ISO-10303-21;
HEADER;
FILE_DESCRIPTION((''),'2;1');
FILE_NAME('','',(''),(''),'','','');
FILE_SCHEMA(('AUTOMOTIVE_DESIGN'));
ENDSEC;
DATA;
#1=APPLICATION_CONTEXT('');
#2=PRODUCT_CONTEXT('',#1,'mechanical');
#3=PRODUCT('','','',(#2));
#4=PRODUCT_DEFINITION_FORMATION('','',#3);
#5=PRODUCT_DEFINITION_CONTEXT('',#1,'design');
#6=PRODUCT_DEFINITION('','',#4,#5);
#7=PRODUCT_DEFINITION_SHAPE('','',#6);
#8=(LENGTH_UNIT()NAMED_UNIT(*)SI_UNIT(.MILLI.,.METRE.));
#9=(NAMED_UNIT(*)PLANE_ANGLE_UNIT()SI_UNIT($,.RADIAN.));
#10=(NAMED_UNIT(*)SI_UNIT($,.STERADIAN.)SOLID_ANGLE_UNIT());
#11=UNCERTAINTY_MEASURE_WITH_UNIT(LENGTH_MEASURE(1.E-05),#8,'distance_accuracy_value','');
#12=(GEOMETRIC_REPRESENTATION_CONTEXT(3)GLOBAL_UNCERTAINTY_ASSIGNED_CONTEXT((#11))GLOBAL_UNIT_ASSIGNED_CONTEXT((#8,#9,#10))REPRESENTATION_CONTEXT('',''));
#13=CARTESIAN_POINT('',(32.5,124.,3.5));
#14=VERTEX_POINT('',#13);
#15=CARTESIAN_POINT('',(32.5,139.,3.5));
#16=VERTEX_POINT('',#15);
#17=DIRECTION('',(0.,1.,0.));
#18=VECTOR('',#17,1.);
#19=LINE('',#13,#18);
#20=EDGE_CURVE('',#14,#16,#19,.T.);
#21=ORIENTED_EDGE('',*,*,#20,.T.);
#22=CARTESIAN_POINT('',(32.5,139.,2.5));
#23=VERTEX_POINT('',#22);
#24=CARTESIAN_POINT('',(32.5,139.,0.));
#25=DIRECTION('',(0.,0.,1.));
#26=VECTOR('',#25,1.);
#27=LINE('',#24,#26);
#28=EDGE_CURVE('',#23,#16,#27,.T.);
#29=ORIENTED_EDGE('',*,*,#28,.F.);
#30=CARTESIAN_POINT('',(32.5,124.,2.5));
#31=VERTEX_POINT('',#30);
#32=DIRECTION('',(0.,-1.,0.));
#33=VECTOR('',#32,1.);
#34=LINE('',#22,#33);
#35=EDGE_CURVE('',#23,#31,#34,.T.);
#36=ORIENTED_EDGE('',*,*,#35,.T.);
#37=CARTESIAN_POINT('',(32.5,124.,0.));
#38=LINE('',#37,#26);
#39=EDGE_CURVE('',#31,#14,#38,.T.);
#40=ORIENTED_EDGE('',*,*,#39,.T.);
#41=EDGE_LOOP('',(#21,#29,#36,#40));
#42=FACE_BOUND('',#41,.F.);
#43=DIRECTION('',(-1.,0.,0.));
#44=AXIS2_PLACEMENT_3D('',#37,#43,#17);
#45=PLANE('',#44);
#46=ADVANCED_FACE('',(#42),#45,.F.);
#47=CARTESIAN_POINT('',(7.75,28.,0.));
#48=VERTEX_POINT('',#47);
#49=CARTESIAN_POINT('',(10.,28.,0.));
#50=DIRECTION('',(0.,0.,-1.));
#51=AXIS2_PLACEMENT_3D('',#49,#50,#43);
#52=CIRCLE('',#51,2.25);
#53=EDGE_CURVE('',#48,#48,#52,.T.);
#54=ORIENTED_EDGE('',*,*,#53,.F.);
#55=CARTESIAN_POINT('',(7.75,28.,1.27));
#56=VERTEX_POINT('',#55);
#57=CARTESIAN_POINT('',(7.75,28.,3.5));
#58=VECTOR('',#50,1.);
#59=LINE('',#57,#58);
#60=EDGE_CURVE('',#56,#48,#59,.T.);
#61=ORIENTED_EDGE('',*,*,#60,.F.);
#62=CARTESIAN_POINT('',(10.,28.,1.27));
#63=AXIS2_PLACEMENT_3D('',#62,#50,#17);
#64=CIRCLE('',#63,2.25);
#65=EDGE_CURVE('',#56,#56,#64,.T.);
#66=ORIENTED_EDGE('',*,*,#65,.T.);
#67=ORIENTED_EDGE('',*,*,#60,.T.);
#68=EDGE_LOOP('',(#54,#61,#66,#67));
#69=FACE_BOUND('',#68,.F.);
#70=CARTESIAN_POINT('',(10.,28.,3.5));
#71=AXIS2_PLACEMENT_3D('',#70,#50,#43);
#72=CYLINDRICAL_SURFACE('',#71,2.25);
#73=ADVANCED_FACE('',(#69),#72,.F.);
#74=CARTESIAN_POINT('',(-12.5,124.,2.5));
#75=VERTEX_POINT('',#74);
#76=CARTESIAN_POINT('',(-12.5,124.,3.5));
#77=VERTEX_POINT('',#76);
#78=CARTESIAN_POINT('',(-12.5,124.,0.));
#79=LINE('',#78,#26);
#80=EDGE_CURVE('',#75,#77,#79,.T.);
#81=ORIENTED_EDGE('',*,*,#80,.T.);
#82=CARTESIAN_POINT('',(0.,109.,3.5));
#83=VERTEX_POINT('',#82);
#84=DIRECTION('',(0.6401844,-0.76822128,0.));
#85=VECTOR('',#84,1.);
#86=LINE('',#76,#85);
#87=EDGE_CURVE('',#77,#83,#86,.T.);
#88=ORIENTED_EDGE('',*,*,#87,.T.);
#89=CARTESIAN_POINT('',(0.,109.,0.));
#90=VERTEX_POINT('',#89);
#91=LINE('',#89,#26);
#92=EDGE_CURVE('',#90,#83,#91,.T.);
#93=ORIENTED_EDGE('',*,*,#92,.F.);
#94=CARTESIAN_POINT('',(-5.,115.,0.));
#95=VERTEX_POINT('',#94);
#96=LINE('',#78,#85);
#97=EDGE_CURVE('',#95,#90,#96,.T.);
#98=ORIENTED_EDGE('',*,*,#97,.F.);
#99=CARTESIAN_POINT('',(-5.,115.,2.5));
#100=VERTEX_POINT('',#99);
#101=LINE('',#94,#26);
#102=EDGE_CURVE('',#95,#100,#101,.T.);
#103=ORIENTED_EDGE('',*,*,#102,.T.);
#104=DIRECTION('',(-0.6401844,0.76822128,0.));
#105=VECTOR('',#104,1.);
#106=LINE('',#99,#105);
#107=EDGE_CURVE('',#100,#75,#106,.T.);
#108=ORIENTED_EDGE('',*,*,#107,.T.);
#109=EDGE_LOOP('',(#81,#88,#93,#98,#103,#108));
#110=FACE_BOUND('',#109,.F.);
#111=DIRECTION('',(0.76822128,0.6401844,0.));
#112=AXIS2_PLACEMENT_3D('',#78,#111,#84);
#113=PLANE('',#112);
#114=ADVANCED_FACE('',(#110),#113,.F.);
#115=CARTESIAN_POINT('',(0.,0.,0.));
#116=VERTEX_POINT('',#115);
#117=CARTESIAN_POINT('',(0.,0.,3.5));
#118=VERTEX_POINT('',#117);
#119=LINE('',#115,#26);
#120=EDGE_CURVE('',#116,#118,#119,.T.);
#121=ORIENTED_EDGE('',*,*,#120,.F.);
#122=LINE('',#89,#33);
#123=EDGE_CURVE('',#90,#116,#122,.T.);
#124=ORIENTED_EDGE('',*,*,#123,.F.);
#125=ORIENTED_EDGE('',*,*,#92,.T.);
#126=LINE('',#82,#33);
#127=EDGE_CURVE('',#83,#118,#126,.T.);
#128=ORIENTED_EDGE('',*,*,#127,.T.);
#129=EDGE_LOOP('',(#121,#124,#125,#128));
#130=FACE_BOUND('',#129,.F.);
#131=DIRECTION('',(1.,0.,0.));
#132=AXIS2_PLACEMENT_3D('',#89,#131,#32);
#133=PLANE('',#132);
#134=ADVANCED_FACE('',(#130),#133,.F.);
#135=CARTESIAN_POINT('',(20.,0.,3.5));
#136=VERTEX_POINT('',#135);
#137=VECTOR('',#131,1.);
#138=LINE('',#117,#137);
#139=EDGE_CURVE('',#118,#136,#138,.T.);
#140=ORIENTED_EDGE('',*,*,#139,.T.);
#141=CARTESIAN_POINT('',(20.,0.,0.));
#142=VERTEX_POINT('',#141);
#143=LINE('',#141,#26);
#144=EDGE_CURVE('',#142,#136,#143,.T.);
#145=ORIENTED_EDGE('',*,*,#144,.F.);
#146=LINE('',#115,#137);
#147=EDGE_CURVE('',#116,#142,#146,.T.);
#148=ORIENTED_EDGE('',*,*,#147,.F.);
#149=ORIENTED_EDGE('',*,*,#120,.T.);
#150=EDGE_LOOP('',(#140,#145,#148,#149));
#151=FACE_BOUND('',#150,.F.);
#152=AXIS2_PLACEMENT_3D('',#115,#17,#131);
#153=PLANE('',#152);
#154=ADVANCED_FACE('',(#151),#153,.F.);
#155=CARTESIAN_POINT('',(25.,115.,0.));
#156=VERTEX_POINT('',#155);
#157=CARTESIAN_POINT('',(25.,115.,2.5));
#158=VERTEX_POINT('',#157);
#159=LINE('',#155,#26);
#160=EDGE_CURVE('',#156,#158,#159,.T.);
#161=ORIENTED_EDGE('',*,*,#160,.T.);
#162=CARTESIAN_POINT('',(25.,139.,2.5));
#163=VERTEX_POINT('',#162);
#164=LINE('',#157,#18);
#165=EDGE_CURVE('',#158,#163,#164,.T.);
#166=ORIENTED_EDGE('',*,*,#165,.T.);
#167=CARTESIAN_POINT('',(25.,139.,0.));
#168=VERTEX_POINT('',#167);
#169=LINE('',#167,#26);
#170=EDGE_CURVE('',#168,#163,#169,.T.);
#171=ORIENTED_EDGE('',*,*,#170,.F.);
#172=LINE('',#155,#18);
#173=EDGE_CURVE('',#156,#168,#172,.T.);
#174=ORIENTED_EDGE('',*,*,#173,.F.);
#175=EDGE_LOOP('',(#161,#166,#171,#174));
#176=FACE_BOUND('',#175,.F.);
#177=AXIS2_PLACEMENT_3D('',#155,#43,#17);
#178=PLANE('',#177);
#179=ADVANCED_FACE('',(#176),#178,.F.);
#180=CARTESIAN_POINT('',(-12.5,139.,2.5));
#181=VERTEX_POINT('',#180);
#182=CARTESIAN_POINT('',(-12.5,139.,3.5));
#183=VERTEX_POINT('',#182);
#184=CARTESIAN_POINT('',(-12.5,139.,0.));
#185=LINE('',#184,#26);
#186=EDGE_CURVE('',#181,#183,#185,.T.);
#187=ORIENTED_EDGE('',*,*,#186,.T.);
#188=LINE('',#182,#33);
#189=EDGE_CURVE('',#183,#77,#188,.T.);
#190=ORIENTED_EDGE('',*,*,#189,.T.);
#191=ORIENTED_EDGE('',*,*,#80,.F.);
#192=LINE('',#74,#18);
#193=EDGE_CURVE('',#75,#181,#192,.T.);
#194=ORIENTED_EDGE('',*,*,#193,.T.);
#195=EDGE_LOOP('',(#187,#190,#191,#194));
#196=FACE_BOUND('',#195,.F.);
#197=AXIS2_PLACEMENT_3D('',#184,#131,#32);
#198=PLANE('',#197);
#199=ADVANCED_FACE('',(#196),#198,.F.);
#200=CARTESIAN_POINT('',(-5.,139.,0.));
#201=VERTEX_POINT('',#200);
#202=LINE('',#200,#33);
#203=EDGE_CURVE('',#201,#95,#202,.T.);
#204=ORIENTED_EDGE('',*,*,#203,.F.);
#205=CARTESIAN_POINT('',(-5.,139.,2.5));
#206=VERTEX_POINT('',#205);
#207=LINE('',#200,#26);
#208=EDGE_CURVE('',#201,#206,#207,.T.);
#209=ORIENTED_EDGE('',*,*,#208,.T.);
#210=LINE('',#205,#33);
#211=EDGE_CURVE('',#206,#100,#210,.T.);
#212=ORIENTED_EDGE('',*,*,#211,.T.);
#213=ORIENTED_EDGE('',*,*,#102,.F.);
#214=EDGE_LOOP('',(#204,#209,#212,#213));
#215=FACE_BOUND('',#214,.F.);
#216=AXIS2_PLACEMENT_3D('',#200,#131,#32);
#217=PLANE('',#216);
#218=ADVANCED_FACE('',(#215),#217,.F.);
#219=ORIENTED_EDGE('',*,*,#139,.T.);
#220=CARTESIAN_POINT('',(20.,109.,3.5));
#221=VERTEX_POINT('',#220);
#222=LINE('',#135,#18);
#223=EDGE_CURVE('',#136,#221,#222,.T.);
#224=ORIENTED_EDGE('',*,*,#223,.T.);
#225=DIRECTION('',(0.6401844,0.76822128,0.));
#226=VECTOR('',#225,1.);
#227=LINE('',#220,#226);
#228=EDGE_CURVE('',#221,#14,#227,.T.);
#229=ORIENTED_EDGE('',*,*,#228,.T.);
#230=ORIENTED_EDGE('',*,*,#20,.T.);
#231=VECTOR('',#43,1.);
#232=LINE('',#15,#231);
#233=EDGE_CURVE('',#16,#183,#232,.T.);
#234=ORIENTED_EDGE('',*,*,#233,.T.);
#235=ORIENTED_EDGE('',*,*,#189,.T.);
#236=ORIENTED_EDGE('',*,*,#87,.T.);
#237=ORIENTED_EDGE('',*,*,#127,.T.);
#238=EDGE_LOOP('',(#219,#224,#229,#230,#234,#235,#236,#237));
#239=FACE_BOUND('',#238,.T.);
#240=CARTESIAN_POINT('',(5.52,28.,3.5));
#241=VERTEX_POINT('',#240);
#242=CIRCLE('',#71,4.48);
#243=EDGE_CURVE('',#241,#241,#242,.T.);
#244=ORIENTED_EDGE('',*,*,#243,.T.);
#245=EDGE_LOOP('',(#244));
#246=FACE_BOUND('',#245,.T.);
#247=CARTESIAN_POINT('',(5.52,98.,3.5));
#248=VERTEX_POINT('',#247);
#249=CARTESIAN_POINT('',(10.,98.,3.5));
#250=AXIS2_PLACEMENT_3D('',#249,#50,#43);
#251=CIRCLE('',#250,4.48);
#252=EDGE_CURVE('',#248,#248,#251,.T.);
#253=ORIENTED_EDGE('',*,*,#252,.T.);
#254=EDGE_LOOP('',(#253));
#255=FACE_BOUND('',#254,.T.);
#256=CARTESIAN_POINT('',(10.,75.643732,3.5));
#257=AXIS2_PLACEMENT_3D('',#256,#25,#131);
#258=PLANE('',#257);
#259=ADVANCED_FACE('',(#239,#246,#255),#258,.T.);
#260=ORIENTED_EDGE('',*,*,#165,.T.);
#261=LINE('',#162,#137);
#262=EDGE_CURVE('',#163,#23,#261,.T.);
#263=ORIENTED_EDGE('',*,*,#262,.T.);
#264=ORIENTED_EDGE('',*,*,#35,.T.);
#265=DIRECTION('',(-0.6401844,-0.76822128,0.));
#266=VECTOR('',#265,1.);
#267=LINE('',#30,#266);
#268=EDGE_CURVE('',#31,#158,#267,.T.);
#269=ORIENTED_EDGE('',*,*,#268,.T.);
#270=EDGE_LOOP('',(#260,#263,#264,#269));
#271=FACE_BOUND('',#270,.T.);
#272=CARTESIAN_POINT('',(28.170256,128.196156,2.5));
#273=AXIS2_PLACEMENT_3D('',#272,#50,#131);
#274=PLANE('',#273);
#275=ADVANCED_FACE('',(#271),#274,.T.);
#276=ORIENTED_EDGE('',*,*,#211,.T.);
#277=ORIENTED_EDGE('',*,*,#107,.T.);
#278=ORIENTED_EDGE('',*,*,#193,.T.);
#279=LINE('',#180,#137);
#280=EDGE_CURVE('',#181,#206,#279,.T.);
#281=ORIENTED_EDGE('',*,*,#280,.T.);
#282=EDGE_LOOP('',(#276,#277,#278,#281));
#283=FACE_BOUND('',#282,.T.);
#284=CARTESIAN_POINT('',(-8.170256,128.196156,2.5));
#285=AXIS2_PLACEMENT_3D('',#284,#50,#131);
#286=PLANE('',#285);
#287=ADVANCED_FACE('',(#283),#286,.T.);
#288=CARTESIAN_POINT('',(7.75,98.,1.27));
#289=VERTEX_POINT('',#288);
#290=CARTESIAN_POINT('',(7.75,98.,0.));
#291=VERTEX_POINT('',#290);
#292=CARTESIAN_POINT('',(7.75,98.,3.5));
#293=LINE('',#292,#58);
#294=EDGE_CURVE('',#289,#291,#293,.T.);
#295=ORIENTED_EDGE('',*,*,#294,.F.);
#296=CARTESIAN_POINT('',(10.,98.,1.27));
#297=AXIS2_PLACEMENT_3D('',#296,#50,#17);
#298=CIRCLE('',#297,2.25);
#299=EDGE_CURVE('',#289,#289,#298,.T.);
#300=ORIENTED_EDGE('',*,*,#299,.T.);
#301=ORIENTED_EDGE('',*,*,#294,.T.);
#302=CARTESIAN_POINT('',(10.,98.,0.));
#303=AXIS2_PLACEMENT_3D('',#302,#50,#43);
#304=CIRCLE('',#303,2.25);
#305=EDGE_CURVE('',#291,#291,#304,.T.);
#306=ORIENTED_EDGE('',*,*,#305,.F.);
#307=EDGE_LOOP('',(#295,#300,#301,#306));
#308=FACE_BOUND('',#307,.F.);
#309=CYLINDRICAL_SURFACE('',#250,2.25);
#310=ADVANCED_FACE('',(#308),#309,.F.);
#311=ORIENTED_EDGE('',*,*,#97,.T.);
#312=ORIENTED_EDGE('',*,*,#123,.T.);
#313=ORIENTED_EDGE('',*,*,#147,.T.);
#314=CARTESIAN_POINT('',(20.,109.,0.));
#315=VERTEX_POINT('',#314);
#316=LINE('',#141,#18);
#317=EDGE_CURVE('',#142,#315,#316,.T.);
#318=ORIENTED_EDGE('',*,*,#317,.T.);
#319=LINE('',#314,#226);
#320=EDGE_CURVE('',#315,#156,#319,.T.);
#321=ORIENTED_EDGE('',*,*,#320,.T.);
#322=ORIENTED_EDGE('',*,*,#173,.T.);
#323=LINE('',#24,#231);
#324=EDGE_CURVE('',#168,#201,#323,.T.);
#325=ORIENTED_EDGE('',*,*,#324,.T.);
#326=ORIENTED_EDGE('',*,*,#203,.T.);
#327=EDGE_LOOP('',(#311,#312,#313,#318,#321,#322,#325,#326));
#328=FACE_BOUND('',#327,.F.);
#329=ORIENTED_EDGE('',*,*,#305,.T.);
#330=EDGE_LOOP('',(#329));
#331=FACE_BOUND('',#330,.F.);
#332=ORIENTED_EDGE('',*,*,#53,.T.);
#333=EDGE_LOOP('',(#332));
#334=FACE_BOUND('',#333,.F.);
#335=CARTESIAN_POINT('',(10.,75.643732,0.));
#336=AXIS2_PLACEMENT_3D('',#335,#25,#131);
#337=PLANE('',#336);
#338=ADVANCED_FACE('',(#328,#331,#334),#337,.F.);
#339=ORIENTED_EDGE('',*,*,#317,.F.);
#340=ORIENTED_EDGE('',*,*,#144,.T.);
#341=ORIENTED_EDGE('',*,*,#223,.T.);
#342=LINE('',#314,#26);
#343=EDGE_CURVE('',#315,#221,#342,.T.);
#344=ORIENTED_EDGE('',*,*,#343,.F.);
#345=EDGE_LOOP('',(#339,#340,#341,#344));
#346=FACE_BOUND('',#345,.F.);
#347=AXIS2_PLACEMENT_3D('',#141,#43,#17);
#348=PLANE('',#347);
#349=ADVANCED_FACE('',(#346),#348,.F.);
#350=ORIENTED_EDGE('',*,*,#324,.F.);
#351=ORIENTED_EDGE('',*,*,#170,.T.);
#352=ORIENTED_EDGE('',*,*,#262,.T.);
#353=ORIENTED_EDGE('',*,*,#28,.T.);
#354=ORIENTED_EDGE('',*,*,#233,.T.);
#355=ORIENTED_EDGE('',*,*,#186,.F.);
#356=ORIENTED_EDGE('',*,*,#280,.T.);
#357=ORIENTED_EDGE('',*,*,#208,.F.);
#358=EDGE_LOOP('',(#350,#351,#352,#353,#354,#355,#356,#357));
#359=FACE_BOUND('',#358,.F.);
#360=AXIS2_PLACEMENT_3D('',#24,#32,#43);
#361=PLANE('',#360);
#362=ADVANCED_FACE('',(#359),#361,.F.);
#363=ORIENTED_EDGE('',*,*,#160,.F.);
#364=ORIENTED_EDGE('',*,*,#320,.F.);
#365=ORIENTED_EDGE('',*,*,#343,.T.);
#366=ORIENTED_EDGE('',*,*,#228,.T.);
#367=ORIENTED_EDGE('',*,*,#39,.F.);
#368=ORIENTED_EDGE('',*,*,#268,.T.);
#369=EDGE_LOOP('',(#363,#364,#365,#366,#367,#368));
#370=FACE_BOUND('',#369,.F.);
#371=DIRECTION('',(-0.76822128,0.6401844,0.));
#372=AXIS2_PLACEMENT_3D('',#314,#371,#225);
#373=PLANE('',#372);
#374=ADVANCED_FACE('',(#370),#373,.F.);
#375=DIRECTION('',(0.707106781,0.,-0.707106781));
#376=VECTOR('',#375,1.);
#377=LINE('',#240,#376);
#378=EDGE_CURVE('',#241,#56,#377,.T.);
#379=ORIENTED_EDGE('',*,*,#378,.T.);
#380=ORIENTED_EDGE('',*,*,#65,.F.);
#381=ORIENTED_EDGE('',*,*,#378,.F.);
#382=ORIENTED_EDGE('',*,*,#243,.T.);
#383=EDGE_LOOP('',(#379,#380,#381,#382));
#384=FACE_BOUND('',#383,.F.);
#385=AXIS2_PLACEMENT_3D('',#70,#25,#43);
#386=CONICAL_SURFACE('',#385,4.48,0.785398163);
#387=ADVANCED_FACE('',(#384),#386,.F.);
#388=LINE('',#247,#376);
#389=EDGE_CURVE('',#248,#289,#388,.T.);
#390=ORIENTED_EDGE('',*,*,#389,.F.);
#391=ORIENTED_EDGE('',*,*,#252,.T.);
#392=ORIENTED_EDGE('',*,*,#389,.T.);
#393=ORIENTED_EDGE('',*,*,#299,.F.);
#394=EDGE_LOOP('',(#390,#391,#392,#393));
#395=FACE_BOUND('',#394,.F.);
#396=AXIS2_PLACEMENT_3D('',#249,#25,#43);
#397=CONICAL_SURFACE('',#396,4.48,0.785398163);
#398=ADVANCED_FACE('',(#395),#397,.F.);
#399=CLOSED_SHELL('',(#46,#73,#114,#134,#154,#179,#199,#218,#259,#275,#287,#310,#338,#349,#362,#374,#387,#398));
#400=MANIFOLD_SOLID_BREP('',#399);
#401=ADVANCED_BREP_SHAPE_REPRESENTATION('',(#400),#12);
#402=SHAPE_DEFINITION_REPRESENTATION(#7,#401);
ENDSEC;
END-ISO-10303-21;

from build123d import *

# Parameters (mm, degrees)
F1_DEPTH       = 3.5
F3_DEPTH       = 2.5
F5_D           = 4.5
F5_CSINK_D     = 8.96
F5_CSINK_ANGLE = 90


with BuildPart() as f1:
    # F0 (on Top) → F1 (new body)
    with BuildSketch(Plane.XY):
        Polygon((0, 109), (0, 0), (20, 0), (20, 109), (32.5, 124), (32.5, 139), (-12.5, 139), (-12.5, 124), align=None)
    extrude(amount=F1_DEPTH)

    # F2 (on face) → F3 (cut)
    with BuildSketch(Plane(origin=(0, 0, 0), x_dir=(1, 0, 0), z_dir=(0, 0, -1))):
        Polygon((-12.5, -124), (-12.5, -139), (-5, -139), (-5, -115), align=None)
        Polygon((25, -139), (32.5, -139), (32.5, -124), (25, -115), align=None)
    extrude(amount=-F3_DEPTH, mode=Mode.SUBTRACT)

    # F5 (through all)
    with Locations(Plane.XY.offset(3.5)):
        with Locations((10, 98), (10, 28)):
            CounterSinkHole(F5_D / 2, F5_CSINK_D / 2, counter_sink_angle=F5_CSINK_ANGLE)


solid = f1.part
